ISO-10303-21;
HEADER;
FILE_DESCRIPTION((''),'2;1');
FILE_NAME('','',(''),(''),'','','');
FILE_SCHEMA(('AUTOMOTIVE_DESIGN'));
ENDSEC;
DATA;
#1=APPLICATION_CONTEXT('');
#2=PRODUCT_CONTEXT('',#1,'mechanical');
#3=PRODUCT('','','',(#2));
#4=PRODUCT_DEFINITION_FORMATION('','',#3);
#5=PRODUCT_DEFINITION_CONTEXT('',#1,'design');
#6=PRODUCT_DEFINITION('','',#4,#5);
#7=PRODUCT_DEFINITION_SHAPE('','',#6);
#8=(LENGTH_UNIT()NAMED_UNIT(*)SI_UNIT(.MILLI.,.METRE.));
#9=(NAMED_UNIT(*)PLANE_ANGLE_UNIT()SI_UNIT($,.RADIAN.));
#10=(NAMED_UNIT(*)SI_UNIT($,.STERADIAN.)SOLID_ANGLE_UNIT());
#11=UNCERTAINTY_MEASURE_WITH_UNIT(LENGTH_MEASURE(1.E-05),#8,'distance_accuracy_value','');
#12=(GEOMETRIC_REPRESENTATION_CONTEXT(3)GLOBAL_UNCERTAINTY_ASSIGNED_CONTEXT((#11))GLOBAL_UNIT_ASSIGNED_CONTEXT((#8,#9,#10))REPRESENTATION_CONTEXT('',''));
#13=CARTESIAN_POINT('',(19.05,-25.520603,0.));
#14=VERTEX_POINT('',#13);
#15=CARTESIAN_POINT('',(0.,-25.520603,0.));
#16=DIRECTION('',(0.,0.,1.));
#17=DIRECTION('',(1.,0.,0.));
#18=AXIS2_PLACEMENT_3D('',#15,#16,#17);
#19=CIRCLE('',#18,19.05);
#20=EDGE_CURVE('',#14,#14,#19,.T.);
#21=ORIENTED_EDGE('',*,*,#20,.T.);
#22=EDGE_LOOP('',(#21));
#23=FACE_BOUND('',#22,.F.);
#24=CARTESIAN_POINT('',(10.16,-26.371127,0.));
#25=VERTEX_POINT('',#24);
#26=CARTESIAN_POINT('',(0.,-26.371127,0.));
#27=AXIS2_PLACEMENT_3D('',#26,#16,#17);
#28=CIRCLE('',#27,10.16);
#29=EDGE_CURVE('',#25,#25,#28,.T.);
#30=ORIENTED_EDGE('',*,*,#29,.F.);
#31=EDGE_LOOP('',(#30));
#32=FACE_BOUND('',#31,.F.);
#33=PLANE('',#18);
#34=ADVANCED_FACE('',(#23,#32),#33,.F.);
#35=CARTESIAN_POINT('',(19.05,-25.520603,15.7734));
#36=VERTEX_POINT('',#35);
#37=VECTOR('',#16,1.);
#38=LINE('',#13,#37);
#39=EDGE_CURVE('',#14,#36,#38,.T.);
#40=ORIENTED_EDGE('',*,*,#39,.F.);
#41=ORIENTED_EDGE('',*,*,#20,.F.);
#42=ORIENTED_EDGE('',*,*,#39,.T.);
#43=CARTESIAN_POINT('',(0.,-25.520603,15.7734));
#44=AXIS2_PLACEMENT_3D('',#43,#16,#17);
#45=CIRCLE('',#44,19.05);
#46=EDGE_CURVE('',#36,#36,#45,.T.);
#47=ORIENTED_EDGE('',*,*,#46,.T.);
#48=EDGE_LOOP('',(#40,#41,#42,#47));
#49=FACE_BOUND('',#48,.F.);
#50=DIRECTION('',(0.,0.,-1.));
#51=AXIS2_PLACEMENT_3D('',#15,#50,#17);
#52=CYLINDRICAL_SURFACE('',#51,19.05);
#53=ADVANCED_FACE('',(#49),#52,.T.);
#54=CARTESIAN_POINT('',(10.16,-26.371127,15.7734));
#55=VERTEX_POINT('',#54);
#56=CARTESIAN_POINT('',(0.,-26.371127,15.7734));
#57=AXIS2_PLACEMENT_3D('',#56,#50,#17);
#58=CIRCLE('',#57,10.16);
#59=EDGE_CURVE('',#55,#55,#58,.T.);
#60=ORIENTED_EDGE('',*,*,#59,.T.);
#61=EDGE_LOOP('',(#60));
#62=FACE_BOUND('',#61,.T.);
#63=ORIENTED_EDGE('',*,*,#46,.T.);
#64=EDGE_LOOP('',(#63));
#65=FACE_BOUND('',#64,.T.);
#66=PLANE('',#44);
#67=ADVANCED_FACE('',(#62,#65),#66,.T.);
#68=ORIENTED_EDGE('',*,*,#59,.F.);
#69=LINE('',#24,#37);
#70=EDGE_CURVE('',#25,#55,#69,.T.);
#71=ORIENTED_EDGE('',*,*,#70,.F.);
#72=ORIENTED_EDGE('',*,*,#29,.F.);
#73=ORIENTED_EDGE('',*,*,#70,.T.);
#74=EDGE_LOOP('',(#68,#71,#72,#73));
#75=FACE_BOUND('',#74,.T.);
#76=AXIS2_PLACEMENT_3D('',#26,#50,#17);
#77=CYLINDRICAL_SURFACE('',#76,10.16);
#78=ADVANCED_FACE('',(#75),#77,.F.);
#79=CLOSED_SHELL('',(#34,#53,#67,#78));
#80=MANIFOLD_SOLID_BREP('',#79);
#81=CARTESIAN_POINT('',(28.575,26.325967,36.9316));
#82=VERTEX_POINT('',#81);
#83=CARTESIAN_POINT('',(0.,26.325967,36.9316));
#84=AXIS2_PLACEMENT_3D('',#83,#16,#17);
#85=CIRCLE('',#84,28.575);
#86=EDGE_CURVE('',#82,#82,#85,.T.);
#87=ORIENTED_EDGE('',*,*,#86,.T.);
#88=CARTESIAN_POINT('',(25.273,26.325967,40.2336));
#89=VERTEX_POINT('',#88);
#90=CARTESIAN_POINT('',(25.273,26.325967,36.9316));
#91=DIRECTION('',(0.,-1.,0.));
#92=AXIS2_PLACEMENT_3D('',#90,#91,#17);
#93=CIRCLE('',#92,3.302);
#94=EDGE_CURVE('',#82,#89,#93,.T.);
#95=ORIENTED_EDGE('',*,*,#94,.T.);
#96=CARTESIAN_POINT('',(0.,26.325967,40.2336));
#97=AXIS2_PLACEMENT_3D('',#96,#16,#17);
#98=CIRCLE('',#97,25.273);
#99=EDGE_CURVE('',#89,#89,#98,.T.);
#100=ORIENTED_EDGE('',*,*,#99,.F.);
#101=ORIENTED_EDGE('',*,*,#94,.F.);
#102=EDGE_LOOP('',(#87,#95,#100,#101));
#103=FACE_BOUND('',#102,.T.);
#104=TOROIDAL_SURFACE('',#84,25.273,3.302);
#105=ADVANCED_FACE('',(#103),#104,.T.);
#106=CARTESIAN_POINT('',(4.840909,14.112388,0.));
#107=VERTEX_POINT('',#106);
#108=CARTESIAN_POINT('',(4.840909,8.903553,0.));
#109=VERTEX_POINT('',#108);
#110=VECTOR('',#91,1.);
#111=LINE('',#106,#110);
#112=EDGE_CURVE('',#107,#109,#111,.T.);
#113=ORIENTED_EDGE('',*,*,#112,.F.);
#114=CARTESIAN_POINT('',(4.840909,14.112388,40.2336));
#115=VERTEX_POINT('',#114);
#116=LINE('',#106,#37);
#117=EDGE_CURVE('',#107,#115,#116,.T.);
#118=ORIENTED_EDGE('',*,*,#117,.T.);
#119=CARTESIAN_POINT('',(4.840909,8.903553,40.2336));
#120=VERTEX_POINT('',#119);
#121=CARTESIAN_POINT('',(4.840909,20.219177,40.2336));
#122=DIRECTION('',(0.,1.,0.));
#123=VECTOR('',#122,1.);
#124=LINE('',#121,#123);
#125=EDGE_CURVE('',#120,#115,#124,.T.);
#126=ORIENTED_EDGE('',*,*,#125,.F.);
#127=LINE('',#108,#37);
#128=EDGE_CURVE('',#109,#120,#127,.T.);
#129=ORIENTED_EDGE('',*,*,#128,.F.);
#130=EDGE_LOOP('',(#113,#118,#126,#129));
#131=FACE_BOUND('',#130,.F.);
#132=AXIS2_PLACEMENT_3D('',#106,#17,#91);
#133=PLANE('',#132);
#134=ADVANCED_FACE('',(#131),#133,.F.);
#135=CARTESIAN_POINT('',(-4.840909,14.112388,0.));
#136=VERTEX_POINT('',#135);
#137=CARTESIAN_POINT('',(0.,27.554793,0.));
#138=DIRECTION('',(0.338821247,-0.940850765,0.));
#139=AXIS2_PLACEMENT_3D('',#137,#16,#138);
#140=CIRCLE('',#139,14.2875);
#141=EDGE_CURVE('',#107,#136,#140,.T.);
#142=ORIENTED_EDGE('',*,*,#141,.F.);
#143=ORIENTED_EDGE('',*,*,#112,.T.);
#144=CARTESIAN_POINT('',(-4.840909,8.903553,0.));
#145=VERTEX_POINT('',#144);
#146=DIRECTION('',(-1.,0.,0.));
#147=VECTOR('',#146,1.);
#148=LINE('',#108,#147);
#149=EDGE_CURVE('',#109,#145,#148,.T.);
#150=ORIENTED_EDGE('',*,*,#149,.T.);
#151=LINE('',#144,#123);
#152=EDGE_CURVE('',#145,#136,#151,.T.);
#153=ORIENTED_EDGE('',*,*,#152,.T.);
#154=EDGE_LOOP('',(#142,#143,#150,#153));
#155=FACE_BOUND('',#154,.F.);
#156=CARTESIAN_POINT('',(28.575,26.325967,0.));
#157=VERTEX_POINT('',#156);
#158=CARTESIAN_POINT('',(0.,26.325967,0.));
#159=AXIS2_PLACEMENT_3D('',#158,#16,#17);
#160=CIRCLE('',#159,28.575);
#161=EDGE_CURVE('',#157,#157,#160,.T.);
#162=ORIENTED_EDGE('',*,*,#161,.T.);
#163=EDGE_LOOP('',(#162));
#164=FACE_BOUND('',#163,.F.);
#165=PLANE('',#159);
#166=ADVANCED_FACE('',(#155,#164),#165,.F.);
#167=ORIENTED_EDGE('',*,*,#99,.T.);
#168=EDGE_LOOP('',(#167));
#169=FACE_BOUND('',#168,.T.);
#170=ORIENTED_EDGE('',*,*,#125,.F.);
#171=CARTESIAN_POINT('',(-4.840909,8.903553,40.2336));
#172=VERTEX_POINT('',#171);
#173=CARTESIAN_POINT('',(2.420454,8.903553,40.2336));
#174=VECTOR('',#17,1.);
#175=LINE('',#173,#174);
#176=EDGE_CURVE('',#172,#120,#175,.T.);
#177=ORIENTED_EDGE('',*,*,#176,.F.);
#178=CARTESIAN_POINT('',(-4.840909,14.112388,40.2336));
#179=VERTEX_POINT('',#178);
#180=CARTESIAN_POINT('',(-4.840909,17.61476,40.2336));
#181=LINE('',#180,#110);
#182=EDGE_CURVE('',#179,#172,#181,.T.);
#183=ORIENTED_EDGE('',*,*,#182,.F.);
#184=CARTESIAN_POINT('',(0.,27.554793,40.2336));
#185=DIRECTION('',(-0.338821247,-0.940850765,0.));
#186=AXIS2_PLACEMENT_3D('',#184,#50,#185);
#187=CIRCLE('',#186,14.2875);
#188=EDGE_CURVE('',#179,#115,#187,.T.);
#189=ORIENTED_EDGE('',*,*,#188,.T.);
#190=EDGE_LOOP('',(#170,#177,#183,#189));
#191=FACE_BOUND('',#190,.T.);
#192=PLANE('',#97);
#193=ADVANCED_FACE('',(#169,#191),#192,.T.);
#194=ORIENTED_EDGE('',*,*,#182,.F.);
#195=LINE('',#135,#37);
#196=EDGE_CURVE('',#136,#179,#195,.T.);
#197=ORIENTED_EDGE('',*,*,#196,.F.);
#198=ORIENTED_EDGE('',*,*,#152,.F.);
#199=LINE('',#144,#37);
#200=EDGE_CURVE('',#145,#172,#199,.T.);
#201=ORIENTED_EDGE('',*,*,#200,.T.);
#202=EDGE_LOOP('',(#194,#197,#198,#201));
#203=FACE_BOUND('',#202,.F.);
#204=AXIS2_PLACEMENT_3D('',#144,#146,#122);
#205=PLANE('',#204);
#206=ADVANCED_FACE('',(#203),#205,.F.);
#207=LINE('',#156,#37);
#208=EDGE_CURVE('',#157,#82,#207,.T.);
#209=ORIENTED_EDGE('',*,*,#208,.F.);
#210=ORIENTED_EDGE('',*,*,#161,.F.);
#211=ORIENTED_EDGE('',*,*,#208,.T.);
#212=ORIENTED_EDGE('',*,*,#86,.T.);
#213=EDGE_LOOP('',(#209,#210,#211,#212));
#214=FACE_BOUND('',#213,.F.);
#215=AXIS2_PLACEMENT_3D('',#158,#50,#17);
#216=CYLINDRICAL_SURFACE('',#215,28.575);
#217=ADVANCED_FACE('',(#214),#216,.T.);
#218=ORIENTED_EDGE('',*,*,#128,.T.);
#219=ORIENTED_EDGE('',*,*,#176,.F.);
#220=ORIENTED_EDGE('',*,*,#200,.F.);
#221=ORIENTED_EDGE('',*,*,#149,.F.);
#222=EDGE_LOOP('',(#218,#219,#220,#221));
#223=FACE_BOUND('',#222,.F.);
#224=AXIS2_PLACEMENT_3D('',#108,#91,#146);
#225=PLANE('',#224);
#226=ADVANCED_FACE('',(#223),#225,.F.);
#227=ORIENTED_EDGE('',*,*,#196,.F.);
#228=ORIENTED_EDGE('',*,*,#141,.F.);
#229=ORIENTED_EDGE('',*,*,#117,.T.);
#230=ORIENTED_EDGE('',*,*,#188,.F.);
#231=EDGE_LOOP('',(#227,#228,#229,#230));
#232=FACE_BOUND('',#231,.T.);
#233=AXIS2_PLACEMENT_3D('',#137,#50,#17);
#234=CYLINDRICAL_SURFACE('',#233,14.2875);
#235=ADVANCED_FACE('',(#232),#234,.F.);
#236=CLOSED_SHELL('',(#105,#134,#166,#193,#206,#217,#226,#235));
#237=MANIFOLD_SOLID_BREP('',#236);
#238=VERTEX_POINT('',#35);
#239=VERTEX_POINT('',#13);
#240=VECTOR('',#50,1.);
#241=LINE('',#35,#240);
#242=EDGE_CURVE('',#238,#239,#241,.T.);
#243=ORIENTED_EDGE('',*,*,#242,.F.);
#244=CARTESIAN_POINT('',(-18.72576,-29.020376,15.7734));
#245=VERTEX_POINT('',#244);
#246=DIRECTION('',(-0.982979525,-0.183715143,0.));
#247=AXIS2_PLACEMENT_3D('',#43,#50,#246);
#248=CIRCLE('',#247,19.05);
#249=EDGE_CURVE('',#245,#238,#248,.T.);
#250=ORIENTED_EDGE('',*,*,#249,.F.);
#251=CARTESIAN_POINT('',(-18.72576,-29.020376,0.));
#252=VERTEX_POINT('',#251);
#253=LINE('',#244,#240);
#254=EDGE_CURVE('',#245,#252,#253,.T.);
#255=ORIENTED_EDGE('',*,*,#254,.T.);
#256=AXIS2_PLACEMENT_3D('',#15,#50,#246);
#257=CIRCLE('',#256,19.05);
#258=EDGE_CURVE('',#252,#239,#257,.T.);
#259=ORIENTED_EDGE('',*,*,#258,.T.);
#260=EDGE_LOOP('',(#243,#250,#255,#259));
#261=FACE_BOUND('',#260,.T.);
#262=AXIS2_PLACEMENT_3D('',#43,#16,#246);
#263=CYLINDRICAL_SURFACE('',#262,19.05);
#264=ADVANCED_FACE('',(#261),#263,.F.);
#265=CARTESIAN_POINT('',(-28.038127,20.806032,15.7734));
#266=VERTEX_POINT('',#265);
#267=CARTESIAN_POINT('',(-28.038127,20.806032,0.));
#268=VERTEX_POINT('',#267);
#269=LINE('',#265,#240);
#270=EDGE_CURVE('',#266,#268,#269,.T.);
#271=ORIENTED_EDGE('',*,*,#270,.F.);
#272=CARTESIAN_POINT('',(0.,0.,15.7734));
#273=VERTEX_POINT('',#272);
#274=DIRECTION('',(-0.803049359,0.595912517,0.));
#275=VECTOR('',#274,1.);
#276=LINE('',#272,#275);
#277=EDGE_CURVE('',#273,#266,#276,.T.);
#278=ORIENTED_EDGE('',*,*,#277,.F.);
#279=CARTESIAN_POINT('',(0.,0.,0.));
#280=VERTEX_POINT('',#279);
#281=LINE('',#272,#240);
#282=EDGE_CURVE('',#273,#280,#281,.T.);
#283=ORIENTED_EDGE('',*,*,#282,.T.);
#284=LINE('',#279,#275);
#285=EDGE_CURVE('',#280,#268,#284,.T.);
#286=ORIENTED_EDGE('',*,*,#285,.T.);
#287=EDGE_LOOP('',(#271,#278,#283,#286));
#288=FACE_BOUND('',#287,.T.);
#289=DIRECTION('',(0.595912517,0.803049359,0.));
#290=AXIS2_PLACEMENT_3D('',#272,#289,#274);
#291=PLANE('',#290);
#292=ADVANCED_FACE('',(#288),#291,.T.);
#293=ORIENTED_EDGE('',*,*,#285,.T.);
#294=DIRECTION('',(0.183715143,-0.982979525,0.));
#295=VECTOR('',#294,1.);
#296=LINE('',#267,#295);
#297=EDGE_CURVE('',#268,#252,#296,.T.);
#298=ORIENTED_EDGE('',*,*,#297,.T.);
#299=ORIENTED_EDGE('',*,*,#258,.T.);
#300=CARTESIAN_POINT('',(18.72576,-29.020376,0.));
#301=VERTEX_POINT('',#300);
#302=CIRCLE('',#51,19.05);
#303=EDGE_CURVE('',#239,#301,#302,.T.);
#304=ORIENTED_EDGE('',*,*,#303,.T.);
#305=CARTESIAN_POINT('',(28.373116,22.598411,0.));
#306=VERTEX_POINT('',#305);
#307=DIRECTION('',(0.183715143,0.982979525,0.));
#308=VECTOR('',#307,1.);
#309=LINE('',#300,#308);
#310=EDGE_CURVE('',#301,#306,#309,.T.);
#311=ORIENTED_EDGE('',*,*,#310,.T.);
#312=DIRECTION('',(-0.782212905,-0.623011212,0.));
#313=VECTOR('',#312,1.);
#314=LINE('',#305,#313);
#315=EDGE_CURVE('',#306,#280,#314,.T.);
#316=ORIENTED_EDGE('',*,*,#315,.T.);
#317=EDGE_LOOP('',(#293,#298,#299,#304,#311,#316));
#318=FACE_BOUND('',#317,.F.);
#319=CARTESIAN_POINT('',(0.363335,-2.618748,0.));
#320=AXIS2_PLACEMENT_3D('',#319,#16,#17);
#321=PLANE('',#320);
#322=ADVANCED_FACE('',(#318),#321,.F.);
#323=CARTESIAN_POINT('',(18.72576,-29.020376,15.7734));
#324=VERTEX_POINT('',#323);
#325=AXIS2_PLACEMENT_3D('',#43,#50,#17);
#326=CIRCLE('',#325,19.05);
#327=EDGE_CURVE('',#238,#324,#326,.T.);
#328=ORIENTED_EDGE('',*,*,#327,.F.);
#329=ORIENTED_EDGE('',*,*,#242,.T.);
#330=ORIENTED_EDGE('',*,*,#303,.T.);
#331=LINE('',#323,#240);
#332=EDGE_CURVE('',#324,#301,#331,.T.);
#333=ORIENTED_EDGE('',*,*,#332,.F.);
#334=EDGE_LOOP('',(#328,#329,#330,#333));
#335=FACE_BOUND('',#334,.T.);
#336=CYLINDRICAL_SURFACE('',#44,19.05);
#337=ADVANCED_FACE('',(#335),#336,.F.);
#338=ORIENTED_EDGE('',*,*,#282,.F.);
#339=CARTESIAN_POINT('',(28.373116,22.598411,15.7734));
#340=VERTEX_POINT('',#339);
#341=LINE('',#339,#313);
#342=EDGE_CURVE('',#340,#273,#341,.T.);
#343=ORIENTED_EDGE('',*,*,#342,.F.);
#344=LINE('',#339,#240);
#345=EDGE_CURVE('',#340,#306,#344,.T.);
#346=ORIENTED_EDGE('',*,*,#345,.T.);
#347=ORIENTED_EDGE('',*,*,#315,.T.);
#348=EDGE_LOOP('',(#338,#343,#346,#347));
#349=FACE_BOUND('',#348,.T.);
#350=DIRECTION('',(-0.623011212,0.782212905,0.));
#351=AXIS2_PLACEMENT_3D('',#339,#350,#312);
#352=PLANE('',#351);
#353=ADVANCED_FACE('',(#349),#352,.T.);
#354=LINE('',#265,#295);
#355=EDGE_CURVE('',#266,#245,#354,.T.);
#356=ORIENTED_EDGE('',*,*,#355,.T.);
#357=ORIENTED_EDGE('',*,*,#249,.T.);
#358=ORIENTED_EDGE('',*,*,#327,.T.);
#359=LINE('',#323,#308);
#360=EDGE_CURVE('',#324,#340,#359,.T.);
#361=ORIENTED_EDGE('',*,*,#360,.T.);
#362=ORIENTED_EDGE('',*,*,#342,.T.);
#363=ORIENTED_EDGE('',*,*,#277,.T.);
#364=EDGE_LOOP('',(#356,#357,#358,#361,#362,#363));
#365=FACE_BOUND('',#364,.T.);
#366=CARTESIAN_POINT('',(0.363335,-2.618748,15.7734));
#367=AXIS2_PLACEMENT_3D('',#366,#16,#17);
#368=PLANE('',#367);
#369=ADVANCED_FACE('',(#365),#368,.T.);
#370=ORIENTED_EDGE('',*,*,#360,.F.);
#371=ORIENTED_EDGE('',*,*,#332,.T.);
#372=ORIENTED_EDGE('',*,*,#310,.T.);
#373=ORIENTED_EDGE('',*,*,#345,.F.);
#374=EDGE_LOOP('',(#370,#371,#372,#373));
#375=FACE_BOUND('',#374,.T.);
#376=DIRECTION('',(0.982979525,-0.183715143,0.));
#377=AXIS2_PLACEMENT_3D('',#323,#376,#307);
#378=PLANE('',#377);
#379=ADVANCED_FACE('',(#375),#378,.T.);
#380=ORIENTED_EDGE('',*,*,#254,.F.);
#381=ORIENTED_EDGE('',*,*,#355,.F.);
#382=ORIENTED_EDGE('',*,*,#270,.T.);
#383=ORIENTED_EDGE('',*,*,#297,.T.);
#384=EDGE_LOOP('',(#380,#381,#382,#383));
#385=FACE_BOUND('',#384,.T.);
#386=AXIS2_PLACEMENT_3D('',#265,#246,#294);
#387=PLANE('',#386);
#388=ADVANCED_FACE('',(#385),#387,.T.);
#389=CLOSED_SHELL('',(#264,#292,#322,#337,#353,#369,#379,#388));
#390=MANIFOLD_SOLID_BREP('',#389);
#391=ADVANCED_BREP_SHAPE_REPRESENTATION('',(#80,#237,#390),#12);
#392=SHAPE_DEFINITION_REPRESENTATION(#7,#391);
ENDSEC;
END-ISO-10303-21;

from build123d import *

# Parameters (mm, degrees)
F3_R      = 28.575
F4_DEPTH  = 40.2336
F2_R      = 19.05
F5_DEPTH  = 15.7734
F1_R      = 14.2875
F6_DEPTH  = 63.754
F0_R      = 10.16
F8_DEPTH  = 111.506
F9_R      = 3.302
F11_DEPTH = 15.7734
F12_DEPTH = 175.514


with BuildPart() as f4:
    # F3 (on Top) → F4 (new body)
    with BuildSketch(Plane.XY):
        with Locations((0, 26.3259668327)):
            Circle(F3_R)
    extrude(amount=F4_DEPTH)

    # F1 (on Top) → F6 (cut)
    with BuildSketch(Plane.XY):
        with Locations((0, 27.5547930962)):
            Circle(F1_R)
    extrude(amount=F6_DEPTH, mode=Mode.SUBTRACT)

    # F9
    f9_edges = [f4.edges().sort_by_distance(p)[0] for p in [
        (-28.575, 26.325967, 40.2336),
    ]]
    fillet(f9_edges, radius=F9_R)

    # F7 (on face) → F12 (cut)
    with BuildSketch(Plane(origin=(0, 0, 0), x_dir=(1, 0, 0), z_dir=(0, 0, -1))):
        with BuildLine():
            Line((4.8409085721, -8.9035527781), (-4.8409085721, -8.9035527781))
            Line((-4.8409085721, -8.9035527781), (-4.8409085721, -14.1123877889))
            ThreePointArc((-4.8409085721, -14.1123877889), (0, -13.2672930962), (4.8409085721, -14.1123877889))
            Line((4.8409085721, -14.1123877889), (4.8409085721, -8.9035527781))
        make_face()
    extrude(amount=-F12_DEPTH, mode=Mode.SUBTRACT)


with BuildPart() as f5:
    # F2 (on Top) → F5 (new body)
    with BuildSketch(Plane.XY):
        with Locations((0, -25.5206029374)):
            Circle(F2_R)
    extrude(amount=F5_DEPTH)

    # F0 (on Top) → F8 (cut)
    with BuildSketch(Plane.XY):
        with Locations((0, -26.3711268374)):
            Circle(F0_R)
    extrude(amount=F8_DEPTH, mode=Mode.SUBTRACT)


with BuildPart() as f11:
    # F10 (on face) → F11 (new body)
    with BuildSketch(Plane.XY.offset(15.7734)):
        with BuildLine():
            Line((-28.0381266038, 20.8060319091), (-18.7257599466, -29.0203764192))
            ThreePointArc((-18.7257599466, -29.0203764192), (-1.7573805817, -6.5518361485), (19.05, -25.5206029374))
            ThreePointArc((19.05, -25.5206029374), (18.9687667889, -27.2779835191), (18.7257599466, -29.0203764192))
            Line((18.7257599466, -29.0203764192), (28.3731155461, 22.598411488))
            Line((28.3731155461, 22.598411488), (0, 0))
            Line((0, 0), (-28.0381266038, 20.8060319091))
        make_face()
    extrude(amount=-F11_DEPTH)


solid = Compound([f4.part, f5.part, f11.part])
